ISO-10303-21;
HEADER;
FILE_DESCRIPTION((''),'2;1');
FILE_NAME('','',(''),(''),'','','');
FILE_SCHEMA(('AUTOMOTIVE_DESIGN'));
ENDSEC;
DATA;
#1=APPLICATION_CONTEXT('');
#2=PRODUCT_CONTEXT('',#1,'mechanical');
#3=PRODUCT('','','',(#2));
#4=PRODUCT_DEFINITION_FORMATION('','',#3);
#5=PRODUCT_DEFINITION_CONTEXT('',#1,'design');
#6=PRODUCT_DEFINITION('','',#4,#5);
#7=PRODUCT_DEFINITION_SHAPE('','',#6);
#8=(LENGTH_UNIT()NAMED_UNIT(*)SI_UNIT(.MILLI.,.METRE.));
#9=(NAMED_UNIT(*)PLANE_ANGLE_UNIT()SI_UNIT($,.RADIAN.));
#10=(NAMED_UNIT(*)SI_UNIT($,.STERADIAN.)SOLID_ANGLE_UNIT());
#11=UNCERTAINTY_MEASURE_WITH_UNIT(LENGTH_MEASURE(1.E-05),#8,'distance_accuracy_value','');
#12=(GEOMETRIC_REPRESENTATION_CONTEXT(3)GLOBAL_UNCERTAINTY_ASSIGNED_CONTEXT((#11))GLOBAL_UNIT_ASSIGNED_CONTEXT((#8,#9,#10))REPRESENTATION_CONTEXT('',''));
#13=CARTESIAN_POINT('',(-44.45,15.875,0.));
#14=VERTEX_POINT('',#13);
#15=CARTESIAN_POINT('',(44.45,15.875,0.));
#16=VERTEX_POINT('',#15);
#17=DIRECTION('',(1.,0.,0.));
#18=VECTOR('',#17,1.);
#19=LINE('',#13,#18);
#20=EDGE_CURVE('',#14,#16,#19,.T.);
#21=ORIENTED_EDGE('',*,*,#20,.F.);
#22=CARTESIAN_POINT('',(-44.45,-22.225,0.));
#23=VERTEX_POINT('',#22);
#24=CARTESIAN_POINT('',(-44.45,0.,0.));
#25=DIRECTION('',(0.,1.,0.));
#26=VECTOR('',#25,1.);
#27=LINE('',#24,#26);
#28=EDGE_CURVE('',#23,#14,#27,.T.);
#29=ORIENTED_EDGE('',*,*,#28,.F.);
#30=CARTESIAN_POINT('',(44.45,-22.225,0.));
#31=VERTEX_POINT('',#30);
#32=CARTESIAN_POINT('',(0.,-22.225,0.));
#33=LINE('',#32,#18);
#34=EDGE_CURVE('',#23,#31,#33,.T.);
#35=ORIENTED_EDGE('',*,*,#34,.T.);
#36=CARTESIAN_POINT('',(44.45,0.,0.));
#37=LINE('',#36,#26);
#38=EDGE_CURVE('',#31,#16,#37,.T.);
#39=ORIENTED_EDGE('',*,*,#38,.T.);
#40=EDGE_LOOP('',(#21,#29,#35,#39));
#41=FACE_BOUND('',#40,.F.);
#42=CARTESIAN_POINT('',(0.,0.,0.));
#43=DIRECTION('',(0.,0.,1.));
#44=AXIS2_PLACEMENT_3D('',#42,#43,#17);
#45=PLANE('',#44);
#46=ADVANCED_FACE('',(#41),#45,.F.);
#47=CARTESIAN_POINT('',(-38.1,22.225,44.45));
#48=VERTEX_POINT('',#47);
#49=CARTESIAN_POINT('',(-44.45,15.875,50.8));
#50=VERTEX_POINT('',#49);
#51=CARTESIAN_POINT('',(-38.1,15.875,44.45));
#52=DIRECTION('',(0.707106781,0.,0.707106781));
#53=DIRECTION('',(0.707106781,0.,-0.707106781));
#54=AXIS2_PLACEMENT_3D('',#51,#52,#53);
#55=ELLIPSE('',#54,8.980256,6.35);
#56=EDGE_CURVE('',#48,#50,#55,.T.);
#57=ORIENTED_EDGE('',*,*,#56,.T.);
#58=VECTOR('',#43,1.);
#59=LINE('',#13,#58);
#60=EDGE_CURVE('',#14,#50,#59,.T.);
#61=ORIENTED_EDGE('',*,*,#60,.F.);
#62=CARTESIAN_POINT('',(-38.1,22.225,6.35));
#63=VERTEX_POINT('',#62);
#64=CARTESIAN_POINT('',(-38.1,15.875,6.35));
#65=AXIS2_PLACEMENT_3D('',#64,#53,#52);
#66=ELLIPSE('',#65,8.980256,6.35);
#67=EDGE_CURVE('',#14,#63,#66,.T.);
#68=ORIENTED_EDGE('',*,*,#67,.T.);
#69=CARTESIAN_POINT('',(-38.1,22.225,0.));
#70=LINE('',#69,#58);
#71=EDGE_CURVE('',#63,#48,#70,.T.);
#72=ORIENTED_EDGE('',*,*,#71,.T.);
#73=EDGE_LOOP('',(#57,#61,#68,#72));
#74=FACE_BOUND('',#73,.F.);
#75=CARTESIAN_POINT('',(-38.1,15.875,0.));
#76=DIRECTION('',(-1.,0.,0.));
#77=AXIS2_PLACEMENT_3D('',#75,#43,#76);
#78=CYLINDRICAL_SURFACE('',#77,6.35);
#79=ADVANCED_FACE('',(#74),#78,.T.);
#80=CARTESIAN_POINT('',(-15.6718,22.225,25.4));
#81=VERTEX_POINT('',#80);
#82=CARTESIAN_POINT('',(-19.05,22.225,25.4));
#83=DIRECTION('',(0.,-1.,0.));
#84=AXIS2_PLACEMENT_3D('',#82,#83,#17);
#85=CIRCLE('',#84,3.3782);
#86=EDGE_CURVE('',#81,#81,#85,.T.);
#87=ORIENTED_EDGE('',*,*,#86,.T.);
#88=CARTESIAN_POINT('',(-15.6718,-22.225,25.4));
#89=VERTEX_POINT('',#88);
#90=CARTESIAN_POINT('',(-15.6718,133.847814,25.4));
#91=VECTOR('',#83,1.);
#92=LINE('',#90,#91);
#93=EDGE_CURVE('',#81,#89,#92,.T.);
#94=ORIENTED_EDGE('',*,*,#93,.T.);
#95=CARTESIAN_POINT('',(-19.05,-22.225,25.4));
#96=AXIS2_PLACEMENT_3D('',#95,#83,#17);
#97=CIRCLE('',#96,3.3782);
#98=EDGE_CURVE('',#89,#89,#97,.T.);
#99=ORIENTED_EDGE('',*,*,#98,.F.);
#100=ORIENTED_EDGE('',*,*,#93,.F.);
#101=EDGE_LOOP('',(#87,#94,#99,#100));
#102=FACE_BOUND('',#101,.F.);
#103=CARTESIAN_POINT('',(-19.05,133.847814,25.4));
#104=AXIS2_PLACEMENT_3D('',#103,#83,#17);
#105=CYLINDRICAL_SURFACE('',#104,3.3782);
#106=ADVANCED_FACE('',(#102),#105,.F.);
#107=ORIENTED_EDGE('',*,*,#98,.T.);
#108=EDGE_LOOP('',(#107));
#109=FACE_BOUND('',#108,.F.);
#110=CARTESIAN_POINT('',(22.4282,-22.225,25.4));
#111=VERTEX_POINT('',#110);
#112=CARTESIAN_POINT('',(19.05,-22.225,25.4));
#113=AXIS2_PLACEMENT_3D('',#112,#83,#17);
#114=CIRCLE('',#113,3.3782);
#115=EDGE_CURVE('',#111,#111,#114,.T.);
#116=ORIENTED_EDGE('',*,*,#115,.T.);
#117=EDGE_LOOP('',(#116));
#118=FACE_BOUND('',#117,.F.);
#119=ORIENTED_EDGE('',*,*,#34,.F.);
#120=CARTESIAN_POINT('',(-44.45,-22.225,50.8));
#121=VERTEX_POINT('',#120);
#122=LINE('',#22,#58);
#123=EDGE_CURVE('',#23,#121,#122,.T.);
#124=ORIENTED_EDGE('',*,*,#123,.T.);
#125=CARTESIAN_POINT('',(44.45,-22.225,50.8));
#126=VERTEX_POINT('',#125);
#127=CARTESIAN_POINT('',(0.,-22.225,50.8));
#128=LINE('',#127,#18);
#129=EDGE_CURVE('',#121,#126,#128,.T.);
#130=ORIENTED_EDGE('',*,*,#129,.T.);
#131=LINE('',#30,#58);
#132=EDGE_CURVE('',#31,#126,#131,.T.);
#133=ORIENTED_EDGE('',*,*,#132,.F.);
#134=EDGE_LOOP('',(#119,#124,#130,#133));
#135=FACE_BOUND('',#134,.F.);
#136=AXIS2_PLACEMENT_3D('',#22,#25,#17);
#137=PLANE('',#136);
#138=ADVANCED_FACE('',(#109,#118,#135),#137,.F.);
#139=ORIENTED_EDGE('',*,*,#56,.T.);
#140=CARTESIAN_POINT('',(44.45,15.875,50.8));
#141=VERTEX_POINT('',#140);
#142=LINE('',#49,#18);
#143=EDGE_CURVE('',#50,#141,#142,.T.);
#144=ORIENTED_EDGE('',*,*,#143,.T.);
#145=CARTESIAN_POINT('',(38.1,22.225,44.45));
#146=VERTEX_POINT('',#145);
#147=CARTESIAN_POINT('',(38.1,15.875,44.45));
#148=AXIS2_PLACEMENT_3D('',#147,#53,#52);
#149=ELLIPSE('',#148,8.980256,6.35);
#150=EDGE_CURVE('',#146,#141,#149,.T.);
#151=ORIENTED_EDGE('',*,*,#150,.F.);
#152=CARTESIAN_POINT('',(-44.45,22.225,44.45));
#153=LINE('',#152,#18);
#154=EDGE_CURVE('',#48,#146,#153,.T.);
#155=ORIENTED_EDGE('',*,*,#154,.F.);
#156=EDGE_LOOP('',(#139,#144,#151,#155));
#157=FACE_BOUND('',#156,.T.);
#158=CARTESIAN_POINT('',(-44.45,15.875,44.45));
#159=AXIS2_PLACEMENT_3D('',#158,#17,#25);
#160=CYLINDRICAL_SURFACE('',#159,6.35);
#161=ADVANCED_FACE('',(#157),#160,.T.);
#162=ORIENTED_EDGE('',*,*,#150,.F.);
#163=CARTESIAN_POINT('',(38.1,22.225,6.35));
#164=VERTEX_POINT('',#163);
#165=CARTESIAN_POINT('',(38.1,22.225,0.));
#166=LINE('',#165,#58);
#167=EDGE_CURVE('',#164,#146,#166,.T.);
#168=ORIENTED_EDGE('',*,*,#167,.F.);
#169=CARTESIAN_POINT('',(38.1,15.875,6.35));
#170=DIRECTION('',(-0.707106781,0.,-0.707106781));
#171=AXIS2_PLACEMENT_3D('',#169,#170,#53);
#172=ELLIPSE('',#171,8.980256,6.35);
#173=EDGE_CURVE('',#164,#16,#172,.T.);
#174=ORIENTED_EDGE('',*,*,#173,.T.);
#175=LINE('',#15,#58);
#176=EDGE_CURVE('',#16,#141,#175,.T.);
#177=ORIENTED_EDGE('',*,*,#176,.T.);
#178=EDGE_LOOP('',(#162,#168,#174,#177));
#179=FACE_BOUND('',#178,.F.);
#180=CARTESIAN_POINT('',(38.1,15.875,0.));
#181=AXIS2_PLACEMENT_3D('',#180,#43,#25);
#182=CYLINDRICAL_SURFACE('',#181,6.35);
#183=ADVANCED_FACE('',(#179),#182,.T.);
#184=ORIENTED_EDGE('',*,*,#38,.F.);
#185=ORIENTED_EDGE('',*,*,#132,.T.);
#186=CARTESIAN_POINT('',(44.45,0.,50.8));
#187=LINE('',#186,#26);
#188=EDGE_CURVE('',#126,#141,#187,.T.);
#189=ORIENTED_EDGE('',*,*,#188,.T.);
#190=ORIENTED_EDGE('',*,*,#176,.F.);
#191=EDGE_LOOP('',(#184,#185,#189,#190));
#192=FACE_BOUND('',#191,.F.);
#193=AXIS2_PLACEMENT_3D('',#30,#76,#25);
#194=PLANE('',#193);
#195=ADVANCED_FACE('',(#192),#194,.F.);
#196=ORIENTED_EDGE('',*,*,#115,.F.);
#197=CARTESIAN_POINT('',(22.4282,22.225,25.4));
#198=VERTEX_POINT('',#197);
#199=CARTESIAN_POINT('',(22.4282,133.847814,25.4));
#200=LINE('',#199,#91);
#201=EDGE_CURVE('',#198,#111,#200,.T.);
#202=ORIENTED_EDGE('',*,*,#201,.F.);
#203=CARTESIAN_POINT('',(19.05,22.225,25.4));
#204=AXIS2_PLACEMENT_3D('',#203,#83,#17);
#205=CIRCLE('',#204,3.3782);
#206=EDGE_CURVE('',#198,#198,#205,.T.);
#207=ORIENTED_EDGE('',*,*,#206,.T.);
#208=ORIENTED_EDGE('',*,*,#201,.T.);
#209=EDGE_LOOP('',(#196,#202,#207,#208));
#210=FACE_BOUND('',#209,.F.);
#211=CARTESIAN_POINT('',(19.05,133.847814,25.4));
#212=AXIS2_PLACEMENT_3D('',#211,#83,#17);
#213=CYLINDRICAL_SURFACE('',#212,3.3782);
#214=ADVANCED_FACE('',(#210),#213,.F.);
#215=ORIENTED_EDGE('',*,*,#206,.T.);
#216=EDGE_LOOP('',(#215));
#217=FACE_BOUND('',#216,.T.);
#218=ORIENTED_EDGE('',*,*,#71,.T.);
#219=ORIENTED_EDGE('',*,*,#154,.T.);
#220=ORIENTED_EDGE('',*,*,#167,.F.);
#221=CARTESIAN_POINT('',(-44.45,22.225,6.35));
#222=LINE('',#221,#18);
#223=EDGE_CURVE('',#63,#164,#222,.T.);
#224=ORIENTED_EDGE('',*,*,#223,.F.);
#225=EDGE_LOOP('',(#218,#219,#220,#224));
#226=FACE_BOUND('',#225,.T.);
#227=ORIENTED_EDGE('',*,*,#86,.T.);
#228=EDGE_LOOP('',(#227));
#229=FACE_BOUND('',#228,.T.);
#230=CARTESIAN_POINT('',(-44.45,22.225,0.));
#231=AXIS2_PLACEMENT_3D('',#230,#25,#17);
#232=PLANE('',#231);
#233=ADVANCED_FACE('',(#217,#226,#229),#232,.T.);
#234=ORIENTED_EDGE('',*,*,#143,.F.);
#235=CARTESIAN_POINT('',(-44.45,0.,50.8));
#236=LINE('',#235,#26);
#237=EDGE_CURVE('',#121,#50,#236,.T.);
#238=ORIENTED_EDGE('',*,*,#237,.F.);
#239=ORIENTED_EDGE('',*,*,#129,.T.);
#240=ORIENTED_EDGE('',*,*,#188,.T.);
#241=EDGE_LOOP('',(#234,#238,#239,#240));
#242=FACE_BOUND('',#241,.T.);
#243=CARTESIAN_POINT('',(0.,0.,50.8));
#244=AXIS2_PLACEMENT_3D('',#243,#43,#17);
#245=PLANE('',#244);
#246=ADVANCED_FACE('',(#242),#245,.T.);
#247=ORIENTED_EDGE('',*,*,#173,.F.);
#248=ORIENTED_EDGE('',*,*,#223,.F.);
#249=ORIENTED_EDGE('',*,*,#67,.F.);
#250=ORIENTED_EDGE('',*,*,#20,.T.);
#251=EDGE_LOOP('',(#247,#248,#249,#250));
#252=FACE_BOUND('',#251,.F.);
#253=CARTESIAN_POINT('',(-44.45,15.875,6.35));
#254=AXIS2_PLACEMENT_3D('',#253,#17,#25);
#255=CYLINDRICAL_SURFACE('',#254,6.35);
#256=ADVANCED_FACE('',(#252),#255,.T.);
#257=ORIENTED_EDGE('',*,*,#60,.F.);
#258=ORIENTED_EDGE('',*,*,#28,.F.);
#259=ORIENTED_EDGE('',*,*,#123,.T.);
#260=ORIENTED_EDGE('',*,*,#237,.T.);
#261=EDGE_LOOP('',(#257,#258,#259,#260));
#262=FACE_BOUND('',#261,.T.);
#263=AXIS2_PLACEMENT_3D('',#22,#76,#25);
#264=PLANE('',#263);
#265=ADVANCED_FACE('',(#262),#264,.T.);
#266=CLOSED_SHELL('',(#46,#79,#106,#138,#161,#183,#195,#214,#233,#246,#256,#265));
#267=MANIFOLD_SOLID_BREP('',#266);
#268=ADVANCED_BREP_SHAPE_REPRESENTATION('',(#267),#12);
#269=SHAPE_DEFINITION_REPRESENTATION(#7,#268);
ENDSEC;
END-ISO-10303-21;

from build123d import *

# Parameters (mm, degrees)
F0_W     = 88.9
F0_H     = 44.45
F1_DEPTH = 50.8
F3_D     = 6.7564
F4_R     = 6.35


with BuildPart() as f1:
    # F0 (on Top) → F1 (new body)
    with BuildSketch(Plane.XY):
        Rectangle(F0_W, F0_H)
    extrude(amount=F1_DEPTH)

    # F3 (through all)
    with Locations(Plane(origin=(0, 22.225, 0), x_dir=(-1, 0, 0), z_dir=(0, 1, 0))):
        with Locations((-19.05, 25.4), (19.05, 25.4)):
            Hole(F3_D / 2)

    # F4
    f4_edges = [f1.edges().sort_by_distance(p)[0] for p in [
        (0, 22.225, 50.8),
        (-44.45, 22.225, 25.4),
        (0, 22.225, 0),
        (44.45, 22.225, 25.4),
    ]]
    fillet(f4_edges, radius=F4_R)


solid = f1.part
